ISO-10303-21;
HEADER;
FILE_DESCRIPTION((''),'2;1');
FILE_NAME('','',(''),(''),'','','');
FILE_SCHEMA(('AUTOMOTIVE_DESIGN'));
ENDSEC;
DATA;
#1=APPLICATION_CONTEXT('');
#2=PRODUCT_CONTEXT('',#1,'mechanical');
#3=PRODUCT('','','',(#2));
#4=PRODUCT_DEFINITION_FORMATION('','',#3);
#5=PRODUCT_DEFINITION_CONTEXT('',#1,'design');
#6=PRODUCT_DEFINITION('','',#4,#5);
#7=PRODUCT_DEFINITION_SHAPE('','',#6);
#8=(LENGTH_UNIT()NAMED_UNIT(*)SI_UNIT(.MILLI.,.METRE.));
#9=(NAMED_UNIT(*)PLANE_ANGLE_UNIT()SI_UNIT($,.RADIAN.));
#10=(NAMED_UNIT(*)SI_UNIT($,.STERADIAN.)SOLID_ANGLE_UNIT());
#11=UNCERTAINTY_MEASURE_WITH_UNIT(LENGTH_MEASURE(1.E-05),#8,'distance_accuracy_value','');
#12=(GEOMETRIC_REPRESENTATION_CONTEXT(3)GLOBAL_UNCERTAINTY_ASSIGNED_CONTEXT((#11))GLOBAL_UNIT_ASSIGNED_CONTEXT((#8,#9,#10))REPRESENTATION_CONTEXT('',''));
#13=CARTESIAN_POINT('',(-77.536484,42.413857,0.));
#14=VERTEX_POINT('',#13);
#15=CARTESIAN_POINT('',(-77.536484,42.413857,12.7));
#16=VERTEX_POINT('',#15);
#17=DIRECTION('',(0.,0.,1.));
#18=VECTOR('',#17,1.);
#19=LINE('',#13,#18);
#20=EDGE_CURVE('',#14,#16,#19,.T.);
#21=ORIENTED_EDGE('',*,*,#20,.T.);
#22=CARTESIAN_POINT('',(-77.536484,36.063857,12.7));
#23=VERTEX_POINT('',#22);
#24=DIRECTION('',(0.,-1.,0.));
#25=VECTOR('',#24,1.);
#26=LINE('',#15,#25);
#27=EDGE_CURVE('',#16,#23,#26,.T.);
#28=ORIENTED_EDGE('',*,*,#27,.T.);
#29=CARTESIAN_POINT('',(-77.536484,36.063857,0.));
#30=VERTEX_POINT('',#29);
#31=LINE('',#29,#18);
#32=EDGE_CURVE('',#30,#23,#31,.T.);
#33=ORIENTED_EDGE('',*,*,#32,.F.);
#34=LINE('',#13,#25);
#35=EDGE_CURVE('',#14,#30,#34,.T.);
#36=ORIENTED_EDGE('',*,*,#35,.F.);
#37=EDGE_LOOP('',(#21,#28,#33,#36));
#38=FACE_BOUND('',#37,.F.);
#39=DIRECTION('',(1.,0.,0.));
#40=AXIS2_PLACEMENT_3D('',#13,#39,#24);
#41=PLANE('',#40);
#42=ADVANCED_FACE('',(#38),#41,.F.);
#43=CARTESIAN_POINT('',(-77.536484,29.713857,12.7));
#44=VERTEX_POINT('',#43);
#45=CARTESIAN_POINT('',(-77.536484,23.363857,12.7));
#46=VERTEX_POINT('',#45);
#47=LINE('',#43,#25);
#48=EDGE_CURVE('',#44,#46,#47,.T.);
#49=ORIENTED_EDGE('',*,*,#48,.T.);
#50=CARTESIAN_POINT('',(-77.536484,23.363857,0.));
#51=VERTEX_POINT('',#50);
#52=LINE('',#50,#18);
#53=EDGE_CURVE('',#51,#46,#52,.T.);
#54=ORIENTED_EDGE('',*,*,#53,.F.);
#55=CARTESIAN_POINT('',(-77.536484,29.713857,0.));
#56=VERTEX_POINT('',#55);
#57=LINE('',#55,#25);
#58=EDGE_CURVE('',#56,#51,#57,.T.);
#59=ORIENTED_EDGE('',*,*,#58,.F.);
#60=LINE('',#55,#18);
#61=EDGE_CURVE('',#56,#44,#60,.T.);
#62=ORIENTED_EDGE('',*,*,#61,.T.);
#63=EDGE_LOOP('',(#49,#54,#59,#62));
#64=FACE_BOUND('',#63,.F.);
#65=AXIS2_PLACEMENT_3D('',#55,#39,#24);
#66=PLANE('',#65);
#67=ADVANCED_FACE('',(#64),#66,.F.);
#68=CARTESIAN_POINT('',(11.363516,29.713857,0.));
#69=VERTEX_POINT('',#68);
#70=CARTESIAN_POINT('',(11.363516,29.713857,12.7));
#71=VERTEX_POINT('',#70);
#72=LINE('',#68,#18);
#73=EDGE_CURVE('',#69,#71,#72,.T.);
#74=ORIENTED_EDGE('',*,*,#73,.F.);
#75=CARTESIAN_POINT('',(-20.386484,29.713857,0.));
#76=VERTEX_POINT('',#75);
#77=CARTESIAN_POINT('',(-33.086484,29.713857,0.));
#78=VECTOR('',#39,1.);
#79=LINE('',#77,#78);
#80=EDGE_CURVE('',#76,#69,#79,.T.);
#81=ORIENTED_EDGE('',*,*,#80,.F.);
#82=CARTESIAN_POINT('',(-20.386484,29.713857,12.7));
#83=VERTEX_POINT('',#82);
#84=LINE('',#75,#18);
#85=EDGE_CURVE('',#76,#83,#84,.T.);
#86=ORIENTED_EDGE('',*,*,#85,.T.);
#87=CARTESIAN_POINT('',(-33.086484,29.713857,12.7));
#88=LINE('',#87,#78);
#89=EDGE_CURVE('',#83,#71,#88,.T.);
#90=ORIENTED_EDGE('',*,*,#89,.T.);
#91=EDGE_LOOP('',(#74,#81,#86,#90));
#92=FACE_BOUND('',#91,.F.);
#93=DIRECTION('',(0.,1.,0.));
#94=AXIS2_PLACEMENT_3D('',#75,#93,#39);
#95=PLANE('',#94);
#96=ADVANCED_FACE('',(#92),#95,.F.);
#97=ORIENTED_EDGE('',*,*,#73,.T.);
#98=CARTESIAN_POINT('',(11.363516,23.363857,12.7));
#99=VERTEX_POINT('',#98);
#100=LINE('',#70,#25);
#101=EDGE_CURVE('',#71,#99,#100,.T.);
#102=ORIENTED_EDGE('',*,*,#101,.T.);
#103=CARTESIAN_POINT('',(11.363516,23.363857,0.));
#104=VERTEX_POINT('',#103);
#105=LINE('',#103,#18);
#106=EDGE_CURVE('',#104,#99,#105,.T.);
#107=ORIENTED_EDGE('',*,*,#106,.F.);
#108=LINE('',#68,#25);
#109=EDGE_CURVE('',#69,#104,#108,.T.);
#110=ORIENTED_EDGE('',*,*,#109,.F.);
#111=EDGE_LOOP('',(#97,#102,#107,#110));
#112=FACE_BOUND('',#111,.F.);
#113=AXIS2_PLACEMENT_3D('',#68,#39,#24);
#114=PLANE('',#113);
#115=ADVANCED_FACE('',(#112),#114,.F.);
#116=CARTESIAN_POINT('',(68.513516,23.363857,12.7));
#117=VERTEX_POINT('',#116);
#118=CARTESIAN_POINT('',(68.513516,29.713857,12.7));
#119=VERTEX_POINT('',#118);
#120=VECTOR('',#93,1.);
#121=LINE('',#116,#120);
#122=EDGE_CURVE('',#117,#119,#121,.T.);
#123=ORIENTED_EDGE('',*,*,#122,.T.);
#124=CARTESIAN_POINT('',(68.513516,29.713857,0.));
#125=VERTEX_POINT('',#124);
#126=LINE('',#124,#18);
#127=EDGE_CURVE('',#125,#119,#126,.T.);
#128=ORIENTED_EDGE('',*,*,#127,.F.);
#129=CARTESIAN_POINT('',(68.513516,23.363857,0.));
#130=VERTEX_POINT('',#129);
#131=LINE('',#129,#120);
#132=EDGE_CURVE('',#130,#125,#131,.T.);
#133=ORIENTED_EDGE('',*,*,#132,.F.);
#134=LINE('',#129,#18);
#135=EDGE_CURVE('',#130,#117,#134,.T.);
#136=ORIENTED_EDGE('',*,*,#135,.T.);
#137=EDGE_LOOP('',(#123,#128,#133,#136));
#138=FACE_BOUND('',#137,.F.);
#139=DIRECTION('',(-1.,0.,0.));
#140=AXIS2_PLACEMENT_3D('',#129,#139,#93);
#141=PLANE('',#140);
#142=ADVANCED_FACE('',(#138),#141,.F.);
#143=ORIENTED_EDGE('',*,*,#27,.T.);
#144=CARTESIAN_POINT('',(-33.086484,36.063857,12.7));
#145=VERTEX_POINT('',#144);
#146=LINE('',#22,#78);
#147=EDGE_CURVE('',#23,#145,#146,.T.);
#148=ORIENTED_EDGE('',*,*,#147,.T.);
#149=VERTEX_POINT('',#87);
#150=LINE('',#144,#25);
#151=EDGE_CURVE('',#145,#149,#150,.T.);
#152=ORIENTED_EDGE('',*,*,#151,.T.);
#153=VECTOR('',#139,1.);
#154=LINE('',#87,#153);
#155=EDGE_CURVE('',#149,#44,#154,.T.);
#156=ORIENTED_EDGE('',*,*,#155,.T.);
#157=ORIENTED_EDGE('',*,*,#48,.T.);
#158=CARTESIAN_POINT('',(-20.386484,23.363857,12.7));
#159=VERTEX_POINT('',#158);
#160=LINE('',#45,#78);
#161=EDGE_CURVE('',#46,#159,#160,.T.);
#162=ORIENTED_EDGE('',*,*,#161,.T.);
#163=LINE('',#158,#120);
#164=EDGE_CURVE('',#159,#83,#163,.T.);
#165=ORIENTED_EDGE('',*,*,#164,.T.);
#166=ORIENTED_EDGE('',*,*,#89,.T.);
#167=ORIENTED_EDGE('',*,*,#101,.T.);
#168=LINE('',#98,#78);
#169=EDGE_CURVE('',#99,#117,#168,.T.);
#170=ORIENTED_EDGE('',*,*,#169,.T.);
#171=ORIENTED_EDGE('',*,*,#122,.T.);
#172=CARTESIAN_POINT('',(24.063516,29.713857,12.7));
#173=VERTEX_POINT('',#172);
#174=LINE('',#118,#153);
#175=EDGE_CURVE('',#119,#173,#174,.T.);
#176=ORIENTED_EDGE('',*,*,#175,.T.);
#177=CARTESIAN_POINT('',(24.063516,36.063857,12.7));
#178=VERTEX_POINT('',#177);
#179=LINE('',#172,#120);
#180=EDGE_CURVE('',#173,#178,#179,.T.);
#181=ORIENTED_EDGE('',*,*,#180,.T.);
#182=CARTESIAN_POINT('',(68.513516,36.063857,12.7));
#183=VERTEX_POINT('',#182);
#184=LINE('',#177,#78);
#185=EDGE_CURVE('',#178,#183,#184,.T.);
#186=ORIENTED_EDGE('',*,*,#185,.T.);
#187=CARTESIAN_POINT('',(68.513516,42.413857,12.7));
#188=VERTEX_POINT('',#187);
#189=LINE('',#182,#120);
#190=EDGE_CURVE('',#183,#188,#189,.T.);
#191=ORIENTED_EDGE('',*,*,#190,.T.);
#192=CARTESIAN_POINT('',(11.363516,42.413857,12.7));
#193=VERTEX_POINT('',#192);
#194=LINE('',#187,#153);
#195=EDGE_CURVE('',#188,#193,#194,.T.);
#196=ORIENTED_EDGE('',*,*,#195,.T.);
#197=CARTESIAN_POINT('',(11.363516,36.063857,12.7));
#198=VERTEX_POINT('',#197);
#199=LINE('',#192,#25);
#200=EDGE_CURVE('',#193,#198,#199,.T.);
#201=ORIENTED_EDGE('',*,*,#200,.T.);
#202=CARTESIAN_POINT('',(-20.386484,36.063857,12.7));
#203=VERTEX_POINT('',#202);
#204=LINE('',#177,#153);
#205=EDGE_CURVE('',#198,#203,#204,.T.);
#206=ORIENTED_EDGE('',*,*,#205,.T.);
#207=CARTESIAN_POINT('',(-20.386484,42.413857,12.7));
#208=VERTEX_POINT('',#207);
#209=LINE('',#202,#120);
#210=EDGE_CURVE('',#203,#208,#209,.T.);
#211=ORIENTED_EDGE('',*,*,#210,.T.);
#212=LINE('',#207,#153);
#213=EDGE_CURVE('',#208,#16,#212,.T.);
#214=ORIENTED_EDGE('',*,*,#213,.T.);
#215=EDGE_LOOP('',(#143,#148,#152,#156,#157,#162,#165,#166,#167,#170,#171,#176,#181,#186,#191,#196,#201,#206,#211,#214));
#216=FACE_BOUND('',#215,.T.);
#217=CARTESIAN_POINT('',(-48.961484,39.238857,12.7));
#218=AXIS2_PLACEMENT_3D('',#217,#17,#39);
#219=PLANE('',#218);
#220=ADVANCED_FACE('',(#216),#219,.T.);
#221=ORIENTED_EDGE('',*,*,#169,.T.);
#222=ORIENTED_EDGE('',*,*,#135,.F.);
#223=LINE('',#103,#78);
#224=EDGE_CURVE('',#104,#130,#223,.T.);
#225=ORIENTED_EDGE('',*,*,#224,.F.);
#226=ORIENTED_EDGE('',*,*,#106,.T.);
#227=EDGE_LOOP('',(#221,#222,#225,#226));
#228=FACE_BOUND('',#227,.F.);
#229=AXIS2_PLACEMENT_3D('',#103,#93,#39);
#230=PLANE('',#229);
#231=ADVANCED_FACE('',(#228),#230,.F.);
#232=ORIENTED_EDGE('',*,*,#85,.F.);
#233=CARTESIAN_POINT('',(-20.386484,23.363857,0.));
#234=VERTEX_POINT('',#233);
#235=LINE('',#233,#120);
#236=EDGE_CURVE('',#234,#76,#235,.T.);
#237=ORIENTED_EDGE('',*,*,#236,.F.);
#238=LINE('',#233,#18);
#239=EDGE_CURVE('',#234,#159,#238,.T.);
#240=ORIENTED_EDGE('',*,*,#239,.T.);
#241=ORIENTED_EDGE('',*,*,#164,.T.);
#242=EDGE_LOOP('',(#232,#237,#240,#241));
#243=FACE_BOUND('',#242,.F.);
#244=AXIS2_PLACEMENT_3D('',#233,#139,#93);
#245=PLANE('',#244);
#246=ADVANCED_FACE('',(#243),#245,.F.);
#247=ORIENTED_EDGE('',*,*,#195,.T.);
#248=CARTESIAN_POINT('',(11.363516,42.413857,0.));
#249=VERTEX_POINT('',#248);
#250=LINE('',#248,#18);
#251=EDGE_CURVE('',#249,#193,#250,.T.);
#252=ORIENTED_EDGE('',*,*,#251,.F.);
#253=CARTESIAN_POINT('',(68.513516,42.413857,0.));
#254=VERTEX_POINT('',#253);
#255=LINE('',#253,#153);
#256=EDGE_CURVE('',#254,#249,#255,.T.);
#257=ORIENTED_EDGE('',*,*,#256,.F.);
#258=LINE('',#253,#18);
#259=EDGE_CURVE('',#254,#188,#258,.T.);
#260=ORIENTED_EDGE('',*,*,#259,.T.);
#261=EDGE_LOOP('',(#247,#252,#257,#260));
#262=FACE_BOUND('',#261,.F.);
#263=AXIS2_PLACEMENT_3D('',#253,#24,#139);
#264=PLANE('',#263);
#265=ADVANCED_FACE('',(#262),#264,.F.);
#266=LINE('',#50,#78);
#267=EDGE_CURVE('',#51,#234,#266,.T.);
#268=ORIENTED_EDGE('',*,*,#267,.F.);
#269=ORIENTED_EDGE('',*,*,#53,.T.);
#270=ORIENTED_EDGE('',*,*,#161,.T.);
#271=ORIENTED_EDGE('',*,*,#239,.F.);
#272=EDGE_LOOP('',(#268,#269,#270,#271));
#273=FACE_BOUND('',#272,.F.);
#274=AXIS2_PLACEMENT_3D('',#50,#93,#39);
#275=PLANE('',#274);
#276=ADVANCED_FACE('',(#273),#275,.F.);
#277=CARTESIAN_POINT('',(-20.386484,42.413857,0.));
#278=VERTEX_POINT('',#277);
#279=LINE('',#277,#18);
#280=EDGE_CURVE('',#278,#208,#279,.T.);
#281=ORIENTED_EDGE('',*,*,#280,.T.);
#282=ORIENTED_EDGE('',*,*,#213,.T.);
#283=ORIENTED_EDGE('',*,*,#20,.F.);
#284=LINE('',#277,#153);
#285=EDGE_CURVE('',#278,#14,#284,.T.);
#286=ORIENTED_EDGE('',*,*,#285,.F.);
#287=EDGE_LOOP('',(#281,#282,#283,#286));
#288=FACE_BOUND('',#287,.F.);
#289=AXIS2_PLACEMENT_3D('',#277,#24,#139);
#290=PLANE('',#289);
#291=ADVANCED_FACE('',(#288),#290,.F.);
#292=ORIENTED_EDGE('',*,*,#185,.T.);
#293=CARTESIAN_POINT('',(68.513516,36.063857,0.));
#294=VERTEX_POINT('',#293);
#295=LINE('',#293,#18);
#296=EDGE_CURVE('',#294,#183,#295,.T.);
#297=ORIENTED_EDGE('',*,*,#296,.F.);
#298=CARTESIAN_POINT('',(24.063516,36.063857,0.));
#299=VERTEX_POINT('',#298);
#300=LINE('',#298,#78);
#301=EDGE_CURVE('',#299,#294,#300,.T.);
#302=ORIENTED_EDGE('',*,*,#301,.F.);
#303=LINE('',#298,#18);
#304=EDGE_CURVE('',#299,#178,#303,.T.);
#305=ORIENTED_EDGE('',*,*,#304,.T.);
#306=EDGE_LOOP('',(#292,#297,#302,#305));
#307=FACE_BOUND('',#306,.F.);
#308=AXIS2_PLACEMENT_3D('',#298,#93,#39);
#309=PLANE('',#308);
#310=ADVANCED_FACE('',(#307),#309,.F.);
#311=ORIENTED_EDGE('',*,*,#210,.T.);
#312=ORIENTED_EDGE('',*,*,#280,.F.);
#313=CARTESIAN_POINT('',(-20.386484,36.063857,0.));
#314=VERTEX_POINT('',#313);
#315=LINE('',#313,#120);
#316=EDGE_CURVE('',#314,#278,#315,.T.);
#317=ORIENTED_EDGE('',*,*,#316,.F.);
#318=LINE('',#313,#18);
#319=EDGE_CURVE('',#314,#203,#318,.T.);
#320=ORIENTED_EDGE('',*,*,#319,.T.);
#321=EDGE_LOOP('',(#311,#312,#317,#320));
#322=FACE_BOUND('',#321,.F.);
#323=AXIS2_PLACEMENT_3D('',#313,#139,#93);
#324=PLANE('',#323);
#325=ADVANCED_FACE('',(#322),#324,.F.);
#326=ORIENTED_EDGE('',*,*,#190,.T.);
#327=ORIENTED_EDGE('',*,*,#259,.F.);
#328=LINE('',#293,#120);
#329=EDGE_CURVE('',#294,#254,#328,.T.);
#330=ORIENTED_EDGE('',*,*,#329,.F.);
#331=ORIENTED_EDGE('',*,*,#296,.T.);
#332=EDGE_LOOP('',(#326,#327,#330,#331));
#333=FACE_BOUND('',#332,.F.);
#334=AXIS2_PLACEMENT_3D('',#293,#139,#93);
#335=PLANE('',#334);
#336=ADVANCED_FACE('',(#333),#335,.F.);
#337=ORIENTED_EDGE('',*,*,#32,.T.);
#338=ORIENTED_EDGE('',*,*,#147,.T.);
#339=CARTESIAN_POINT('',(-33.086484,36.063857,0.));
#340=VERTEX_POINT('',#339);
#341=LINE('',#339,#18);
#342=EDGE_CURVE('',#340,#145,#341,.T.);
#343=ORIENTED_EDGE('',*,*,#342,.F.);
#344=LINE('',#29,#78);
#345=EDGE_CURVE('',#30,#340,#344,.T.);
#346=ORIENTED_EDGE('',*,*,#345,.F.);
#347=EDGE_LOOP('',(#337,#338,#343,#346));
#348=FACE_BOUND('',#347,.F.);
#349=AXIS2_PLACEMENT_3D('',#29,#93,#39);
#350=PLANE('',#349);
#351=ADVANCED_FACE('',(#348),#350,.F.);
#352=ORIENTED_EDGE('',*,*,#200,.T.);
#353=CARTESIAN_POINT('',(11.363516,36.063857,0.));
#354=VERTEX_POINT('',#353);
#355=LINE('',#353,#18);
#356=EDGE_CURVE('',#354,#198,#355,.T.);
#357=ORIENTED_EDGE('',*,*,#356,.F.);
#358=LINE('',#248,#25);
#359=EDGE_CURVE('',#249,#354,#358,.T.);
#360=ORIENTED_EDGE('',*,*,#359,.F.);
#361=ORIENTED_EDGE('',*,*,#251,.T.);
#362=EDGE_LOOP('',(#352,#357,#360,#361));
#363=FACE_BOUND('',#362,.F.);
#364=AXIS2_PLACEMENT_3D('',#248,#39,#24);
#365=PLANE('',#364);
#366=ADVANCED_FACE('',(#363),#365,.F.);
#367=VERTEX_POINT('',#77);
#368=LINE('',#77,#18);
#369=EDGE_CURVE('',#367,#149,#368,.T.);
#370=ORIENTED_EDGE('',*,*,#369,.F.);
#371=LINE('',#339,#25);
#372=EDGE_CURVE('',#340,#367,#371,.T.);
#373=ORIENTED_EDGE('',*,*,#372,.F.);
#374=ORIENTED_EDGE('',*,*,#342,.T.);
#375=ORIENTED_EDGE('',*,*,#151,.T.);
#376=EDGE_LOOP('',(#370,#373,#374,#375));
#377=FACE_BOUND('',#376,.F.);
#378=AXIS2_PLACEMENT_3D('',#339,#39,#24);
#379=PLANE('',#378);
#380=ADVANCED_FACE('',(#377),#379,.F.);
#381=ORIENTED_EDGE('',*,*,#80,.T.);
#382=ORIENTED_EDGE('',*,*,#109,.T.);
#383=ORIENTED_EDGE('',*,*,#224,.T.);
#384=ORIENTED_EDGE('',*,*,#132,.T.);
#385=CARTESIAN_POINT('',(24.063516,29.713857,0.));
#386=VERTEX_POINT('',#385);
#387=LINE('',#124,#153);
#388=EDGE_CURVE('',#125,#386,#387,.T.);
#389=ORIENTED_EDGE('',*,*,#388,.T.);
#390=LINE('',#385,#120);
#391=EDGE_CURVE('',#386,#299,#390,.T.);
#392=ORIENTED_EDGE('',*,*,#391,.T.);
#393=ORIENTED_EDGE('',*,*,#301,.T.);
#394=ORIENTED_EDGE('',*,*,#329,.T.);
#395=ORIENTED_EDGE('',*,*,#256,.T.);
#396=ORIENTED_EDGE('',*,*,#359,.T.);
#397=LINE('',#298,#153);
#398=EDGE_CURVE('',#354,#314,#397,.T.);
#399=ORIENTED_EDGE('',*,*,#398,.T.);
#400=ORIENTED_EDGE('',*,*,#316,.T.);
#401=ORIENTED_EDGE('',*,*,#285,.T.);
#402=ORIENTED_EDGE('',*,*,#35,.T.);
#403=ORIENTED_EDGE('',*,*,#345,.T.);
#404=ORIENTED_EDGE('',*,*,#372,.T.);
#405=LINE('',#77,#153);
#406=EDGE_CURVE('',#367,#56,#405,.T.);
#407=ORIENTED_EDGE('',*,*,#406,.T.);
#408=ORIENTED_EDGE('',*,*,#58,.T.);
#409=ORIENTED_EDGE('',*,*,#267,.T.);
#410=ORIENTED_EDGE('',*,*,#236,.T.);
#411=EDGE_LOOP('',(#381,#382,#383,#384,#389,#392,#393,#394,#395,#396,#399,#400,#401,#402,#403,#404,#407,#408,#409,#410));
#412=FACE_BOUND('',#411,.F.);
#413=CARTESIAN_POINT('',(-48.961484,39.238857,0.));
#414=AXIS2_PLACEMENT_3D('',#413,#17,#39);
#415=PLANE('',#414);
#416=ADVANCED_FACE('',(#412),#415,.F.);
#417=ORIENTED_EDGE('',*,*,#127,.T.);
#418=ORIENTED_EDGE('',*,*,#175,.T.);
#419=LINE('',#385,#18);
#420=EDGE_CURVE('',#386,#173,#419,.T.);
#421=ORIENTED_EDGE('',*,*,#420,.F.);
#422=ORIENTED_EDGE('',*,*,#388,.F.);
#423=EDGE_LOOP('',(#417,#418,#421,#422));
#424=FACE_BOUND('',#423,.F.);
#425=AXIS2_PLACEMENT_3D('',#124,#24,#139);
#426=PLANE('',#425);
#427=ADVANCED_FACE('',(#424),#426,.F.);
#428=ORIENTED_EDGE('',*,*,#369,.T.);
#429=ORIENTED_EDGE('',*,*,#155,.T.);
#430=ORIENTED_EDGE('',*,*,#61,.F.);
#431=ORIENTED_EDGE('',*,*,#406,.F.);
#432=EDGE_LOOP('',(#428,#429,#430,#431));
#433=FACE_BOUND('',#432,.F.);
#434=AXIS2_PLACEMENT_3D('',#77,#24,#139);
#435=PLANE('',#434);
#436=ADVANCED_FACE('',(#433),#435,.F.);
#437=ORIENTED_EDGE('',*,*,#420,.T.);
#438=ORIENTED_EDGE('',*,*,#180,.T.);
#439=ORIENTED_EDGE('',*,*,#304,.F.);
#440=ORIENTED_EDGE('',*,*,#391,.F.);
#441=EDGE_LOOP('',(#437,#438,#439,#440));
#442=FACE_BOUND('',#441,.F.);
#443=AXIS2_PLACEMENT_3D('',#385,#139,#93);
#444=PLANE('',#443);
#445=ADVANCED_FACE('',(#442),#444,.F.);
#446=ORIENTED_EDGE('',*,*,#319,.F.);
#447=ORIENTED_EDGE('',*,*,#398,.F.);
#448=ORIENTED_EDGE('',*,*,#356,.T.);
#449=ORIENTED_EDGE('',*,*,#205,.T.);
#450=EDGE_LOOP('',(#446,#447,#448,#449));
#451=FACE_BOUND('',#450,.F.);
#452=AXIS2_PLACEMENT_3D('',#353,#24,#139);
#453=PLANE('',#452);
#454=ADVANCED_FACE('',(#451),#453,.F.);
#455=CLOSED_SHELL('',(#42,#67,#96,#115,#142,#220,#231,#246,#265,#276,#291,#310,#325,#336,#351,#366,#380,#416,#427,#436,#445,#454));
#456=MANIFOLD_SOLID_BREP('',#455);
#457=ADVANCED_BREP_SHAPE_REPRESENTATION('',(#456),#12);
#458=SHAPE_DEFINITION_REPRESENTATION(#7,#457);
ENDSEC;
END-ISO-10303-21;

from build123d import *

# Parameters (mm, degrees)
F1_DEPTH = 12.7


with BuildPart() as f1:
    # F0 (on Top) → F1 (new body)
    with BuildSketch(Plane.XY):
        Polygon((-20.386484, 42.413857), (-77.536484, 42.413857), (-77.536484, 36.063857), (-33.086484, 36.063857), (-20.386484, 36.063857), align=None)
        Polygon((11.363516, 36.063857), (-20.386484, 36.063857), (-33.086484, 36.063857), (-33.086484, 29.713857), (-20.386484, 29.713857), (11.363516, 29.713857), (24.063516, 29.713857), (24.063516, 36.063857), align=None)
        Polygon((11.363516, 42.413857), (11.363516, 36.063857), (24.063516, 36.063857), (68.513516, 36.063857), (68.513516, 42.413857), align=None)
        Polygon((-20.386484, 29.713857), (-33.086484, 29.713857), (-77.536484, 29.713857), (-77.536484, 23.363857), (-20.386484, 23.363857), align=None)
        Polygon((68.513516, 29.713857), (24.063516, 29.713857), (11.363516, 29.713857), (11.363516, 23.363857), (68.513516, 23.363857), align=None)
    extrude(amount=F1_DEPTH)


solid = f1.part
